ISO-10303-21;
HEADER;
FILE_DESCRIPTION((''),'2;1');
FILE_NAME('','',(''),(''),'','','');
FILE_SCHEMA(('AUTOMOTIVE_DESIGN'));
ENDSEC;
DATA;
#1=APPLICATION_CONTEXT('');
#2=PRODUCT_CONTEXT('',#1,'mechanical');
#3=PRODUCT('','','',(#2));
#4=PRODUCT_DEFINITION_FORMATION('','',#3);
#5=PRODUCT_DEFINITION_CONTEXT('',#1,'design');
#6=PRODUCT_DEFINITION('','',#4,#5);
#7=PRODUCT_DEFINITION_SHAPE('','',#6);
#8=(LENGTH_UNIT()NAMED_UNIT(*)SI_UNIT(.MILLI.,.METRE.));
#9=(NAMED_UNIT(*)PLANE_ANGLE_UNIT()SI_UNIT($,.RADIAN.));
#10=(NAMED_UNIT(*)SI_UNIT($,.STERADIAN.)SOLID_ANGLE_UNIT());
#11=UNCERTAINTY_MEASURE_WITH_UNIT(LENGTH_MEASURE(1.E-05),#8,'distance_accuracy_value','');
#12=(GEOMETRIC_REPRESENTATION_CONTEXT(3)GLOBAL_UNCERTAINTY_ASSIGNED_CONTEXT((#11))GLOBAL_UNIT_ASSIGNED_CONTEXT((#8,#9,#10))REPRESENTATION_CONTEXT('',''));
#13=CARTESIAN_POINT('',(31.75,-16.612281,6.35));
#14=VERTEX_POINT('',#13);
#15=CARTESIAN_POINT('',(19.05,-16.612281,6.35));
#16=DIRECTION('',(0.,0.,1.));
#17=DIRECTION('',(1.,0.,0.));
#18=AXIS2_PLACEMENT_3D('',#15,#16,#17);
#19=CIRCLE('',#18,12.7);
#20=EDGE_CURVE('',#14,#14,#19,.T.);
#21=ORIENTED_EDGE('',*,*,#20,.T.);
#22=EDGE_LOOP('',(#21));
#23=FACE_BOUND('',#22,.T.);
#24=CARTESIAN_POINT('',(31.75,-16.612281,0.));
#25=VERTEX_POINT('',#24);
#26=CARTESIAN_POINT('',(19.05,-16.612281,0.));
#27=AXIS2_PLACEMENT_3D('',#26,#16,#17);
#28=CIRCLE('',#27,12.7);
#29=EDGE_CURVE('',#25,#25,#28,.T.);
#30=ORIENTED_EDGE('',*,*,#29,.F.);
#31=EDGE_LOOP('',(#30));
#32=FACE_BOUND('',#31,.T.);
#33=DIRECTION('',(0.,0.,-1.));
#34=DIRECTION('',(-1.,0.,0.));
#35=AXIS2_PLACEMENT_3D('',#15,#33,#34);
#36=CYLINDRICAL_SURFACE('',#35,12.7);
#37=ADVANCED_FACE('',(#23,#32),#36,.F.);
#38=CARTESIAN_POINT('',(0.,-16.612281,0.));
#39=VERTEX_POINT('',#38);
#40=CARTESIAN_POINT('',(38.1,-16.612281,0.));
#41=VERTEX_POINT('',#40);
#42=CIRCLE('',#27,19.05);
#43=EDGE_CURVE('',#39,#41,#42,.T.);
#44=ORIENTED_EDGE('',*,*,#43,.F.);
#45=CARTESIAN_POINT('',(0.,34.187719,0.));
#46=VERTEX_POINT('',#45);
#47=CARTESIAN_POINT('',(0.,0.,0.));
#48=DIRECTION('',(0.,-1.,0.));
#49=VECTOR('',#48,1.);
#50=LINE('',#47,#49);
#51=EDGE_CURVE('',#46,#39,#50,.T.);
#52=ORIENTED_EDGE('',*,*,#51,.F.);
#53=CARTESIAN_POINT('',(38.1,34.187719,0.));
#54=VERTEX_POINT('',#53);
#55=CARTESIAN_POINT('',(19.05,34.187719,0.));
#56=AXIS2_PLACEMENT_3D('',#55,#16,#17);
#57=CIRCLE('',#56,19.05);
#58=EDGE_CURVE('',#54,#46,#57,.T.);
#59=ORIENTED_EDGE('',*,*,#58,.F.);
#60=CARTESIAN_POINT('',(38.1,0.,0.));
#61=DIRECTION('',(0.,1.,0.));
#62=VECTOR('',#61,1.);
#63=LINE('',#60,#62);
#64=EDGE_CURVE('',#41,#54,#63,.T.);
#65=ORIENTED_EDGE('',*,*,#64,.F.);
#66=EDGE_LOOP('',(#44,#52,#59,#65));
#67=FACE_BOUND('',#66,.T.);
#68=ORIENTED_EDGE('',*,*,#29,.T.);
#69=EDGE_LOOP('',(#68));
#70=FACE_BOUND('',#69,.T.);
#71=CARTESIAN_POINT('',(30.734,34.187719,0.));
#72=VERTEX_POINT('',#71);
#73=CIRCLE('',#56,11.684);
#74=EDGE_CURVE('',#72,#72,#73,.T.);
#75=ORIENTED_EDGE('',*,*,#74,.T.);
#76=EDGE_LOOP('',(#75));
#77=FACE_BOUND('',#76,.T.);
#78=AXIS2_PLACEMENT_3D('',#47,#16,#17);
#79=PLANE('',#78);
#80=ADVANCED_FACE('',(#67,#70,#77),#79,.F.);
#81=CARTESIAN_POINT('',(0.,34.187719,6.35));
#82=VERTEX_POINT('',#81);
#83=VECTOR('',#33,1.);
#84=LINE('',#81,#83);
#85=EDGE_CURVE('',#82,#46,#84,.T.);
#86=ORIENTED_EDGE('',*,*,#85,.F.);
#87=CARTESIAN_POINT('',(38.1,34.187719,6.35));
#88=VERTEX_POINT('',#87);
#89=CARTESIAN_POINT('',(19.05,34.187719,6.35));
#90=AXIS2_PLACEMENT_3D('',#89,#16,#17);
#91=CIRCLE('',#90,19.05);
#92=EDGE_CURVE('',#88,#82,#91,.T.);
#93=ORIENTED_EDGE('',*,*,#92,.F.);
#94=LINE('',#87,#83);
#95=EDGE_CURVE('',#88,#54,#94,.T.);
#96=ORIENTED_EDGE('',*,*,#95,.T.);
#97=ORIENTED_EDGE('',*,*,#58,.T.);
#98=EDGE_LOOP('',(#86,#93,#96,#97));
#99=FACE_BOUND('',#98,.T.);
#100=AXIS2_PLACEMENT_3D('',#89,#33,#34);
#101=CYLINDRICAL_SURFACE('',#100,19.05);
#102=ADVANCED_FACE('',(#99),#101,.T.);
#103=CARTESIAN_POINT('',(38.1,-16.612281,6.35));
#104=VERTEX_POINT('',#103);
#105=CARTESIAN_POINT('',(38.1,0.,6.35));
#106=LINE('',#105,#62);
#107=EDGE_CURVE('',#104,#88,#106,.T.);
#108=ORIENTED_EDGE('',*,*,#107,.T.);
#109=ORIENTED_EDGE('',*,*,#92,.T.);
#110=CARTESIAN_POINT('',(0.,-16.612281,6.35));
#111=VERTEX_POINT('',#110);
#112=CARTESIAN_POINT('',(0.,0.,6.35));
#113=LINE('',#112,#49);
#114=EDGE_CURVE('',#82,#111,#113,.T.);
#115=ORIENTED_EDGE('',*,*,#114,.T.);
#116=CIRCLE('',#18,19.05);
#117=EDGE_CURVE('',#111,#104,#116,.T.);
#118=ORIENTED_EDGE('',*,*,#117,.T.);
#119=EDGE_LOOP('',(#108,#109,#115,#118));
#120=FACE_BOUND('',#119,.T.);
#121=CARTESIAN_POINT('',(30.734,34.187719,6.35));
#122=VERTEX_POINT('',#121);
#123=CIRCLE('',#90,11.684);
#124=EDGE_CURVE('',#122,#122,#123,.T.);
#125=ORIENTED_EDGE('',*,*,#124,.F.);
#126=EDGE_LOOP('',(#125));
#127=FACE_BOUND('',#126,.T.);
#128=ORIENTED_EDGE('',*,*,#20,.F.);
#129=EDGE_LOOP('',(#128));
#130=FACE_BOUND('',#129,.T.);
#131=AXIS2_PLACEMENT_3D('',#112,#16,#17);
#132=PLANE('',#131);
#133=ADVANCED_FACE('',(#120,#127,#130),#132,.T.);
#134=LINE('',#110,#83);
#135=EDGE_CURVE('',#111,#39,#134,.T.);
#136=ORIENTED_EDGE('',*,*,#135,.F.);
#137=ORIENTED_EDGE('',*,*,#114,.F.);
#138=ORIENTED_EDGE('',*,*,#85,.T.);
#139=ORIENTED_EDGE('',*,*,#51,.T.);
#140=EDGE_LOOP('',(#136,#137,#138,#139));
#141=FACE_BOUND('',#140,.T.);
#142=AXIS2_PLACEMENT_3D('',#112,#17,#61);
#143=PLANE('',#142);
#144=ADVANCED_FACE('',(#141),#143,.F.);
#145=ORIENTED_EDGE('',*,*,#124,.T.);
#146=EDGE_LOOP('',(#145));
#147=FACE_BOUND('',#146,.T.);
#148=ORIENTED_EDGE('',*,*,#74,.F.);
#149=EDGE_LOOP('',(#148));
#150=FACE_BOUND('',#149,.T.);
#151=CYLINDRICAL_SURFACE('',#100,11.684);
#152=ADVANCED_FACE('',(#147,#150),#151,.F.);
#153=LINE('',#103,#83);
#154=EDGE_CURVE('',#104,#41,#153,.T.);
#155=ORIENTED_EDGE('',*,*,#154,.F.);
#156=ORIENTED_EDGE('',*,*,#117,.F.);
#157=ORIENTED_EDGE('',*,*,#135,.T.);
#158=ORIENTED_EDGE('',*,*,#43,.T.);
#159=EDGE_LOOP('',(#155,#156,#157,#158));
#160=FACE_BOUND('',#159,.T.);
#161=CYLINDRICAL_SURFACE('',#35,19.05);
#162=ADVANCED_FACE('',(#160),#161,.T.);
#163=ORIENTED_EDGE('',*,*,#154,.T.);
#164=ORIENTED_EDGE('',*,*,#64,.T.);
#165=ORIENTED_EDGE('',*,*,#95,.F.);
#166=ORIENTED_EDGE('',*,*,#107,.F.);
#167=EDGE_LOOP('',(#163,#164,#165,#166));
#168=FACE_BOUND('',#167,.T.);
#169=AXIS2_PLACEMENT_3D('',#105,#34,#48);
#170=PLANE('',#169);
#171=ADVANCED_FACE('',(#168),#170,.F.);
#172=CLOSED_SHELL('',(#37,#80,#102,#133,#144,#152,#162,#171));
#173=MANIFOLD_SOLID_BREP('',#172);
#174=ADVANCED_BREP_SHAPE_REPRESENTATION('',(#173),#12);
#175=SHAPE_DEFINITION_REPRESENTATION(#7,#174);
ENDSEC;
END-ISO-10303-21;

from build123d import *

# Parameters (mm, degrees)
SKETCH1_R           = 11.684
SKETCH1_R_2         = 12.7
BOSS_EXTRUDE1_DEPTH = 6.35


with BuildPart() as part:
    # Sketch1 → Boss-Extrude1 (new body)
    with BuildSketch(Plane.XY):
        with BuildLine():
            Line((0, 34.187719096), (0, -16.612280904))
            ThreePointArc((0, -16.612280904), (19.05, -35.662280904), (38.1, -16.612280904))
            Line((38.1, -16.612280904), (38.1, 34.187719096))
            ThreePointArc((38.1, 34.187719096), (19.05, 53.237719096), (0, 34.187719096))
        make_face()
        with Locations((19.05, 34.187719096)):
            Circle(SKETCH1_R, mode=Mode.SUBTRACT)
        with Locations((19.05, -16.612280904)):
            Circle(SKETCH1_R_2, mode=Mode.SUBTRACT)
    extrude(amount=BOSS_EXTRUDE1_DEPTH)


solid = part.part
